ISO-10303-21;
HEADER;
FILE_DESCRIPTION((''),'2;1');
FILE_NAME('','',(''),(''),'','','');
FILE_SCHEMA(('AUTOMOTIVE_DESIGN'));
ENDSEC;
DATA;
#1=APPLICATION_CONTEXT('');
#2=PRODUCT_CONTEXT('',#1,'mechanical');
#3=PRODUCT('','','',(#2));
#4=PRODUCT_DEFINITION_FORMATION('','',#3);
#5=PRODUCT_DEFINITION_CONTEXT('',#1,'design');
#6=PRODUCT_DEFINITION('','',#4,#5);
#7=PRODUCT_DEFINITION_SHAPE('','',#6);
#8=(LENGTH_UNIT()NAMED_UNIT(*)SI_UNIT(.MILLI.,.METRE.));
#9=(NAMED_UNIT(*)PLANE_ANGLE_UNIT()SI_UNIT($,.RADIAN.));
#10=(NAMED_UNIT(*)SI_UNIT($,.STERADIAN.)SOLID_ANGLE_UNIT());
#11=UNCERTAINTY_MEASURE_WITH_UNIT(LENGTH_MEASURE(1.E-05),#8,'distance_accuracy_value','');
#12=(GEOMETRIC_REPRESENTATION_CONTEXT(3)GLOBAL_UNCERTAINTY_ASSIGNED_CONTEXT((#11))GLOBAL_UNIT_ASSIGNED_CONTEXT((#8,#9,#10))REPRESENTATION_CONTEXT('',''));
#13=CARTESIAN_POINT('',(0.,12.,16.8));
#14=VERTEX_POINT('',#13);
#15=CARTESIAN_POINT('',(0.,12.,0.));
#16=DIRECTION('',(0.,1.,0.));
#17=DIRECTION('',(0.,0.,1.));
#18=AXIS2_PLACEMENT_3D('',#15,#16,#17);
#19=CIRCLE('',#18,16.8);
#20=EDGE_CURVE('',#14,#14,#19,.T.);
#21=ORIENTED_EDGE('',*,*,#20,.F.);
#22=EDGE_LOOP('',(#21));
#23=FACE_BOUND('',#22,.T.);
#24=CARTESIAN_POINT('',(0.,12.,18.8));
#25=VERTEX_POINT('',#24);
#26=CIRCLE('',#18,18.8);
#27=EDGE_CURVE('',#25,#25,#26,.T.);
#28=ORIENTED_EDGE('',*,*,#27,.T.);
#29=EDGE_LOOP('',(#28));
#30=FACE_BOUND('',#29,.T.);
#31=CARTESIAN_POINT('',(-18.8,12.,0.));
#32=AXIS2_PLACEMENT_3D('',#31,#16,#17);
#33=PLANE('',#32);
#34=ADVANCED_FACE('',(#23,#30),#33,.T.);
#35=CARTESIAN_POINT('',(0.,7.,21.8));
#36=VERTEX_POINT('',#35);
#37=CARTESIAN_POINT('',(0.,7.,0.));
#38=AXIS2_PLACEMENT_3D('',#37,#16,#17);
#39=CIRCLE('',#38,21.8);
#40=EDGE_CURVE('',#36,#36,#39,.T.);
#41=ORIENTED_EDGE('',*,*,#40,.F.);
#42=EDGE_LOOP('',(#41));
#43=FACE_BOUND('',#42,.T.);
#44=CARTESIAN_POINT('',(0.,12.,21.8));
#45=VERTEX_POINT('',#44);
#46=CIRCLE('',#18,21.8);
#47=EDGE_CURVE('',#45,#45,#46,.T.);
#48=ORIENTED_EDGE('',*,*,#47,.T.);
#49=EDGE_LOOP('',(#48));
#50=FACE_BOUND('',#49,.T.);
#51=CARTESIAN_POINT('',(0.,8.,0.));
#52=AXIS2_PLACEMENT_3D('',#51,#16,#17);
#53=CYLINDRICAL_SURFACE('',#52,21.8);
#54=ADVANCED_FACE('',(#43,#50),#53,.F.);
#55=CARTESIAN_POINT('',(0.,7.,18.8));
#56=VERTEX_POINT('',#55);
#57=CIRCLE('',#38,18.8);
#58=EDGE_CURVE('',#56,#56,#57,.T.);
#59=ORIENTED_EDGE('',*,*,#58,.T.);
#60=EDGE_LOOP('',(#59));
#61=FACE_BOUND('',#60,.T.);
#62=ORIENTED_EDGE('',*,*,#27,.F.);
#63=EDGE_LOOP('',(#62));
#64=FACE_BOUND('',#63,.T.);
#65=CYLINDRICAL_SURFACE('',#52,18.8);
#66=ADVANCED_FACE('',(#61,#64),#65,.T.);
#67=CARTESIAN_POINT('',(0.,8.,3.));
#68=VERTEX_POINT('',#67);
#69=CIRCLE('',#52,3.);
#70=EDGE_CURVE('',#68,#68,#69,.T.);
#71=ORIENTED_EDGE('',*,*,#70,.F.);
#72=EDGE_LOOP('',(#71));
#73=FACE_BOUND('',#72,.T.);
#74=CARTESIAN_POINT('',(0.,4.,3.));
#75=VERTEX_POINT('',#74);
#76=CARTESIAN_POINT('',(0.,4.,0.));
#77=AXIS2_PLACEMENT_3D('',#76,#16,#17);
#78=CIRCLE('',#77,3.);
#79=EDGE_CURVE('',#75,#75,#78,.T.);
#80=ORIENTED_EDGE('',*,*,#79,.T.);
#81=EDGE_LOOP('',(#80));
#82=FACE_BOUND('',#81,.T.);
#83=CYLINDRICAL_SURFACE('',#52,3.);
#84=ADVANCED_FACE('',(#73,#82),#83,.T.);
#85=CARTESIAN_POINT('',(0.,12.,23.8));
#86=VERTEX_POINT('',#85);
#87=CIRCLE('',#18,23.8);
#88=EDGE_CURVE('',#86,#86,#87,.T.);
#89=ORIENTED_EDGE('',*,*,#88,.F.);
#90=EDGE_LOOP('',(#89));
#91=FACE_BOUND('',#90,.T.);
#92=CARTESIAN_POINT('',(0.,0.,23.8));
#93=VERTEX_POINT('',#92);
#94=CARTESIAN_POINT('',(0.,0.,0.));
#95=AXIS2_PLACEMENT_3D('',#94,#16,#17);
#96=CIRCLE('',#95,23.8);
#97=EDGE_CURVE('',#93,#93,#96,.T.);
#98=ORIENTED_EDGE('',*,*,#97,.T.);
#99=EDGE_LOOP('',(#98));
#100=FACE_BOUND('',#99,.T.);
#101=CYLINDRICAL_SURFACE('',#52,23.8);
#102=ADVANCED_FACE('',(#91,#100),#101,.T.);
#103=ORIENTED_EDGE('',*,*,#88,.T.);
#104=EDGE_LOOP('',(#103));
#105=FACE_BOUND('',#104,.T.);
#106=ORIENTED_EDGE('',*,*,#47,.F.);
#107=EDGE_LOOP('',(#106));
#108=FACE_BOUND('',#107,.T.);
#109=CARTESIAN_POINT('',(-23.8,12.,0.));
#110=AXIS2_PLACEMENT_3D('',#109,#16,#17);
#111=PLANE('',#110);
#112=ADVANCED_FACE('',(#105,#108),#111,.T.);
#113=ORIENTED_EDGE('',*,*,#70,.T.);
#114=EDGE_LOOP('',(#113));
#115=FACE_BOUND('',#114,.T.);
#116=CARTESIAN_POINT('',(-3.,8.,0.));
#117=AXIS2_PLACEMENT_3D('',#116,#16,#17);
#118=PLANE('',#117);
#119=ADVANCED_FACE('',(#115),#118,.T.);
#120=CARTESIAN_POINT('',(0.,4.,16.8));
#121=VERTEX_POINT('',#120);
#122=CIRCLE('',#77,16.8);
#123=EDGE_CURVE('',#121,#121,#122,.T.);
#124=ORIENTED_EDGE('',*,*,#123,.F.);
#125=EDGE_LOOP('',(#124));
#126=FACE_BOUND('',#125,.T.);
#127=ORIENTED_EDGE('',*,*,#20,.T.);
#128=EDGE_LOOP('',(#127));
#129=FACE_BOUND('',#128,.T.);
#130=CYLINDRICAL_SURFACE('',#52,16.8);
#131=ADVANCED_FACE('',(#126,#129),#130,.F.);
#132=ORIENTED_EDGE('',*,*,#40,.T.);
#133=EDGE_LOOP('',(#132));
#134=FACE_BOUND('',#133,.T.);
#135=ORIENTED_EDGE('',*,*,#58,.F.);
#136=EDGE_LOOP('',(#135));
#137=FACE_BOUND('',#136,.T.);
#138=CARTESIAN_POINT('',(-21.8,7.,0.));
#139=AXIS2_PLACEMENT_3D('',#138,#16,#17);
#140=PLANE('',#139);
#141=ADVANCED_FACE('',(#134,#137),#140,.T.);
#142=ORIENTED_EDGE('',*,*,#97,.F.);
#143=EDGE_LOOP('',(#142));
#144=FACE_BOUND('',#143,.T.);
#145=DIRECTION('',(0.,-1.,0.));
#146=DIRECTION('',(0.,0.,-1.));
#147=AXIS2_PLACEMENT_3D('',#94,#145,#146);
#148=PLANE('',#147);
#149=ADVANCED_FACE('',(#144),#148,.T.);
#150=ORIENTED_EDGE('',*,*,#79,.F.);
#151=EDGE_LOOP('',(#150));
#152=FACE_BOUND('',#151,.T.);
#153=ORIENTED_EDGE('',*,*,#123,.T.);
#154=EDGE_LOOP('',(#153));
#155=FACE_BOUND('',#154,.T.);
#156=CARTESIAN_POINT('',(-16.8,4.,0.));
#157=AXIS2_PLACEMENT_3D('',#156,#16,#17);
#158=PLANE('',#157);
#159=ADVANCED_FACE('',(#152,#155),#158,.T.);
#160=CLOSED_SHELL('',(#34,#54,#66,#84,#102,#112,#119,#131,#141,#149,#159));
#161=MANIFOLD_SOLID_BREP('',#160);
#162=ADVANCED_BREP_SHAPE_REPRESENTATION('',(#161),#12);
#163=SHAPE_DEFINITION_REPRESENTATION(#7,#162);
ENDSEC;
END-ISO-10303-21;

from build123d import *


with BuildPart() as part:
    # Sketch1 → Revolve1 (revolve)
    with BuildSketch(Plane.XY, mode=Mode.PRIVATE) as revolve1_sk:
        Polygon((0, 0), (-23.8, 0), (-23.8, 12), (-21.8, 12), (-21.8, 7), (-18.8, 7), (-18.8, 12), (-16.8, 12), (-16.8, 4), (-3, 4), (-3, 8), (0, 8), align=None)
    revolve(revolve1_sk.sketch.rotate(Axis((0, 8, 0), (0, -1, 0)), 270), axis=Axis((0, 8, 0), (0, -1, 0)))


solid = part.part
